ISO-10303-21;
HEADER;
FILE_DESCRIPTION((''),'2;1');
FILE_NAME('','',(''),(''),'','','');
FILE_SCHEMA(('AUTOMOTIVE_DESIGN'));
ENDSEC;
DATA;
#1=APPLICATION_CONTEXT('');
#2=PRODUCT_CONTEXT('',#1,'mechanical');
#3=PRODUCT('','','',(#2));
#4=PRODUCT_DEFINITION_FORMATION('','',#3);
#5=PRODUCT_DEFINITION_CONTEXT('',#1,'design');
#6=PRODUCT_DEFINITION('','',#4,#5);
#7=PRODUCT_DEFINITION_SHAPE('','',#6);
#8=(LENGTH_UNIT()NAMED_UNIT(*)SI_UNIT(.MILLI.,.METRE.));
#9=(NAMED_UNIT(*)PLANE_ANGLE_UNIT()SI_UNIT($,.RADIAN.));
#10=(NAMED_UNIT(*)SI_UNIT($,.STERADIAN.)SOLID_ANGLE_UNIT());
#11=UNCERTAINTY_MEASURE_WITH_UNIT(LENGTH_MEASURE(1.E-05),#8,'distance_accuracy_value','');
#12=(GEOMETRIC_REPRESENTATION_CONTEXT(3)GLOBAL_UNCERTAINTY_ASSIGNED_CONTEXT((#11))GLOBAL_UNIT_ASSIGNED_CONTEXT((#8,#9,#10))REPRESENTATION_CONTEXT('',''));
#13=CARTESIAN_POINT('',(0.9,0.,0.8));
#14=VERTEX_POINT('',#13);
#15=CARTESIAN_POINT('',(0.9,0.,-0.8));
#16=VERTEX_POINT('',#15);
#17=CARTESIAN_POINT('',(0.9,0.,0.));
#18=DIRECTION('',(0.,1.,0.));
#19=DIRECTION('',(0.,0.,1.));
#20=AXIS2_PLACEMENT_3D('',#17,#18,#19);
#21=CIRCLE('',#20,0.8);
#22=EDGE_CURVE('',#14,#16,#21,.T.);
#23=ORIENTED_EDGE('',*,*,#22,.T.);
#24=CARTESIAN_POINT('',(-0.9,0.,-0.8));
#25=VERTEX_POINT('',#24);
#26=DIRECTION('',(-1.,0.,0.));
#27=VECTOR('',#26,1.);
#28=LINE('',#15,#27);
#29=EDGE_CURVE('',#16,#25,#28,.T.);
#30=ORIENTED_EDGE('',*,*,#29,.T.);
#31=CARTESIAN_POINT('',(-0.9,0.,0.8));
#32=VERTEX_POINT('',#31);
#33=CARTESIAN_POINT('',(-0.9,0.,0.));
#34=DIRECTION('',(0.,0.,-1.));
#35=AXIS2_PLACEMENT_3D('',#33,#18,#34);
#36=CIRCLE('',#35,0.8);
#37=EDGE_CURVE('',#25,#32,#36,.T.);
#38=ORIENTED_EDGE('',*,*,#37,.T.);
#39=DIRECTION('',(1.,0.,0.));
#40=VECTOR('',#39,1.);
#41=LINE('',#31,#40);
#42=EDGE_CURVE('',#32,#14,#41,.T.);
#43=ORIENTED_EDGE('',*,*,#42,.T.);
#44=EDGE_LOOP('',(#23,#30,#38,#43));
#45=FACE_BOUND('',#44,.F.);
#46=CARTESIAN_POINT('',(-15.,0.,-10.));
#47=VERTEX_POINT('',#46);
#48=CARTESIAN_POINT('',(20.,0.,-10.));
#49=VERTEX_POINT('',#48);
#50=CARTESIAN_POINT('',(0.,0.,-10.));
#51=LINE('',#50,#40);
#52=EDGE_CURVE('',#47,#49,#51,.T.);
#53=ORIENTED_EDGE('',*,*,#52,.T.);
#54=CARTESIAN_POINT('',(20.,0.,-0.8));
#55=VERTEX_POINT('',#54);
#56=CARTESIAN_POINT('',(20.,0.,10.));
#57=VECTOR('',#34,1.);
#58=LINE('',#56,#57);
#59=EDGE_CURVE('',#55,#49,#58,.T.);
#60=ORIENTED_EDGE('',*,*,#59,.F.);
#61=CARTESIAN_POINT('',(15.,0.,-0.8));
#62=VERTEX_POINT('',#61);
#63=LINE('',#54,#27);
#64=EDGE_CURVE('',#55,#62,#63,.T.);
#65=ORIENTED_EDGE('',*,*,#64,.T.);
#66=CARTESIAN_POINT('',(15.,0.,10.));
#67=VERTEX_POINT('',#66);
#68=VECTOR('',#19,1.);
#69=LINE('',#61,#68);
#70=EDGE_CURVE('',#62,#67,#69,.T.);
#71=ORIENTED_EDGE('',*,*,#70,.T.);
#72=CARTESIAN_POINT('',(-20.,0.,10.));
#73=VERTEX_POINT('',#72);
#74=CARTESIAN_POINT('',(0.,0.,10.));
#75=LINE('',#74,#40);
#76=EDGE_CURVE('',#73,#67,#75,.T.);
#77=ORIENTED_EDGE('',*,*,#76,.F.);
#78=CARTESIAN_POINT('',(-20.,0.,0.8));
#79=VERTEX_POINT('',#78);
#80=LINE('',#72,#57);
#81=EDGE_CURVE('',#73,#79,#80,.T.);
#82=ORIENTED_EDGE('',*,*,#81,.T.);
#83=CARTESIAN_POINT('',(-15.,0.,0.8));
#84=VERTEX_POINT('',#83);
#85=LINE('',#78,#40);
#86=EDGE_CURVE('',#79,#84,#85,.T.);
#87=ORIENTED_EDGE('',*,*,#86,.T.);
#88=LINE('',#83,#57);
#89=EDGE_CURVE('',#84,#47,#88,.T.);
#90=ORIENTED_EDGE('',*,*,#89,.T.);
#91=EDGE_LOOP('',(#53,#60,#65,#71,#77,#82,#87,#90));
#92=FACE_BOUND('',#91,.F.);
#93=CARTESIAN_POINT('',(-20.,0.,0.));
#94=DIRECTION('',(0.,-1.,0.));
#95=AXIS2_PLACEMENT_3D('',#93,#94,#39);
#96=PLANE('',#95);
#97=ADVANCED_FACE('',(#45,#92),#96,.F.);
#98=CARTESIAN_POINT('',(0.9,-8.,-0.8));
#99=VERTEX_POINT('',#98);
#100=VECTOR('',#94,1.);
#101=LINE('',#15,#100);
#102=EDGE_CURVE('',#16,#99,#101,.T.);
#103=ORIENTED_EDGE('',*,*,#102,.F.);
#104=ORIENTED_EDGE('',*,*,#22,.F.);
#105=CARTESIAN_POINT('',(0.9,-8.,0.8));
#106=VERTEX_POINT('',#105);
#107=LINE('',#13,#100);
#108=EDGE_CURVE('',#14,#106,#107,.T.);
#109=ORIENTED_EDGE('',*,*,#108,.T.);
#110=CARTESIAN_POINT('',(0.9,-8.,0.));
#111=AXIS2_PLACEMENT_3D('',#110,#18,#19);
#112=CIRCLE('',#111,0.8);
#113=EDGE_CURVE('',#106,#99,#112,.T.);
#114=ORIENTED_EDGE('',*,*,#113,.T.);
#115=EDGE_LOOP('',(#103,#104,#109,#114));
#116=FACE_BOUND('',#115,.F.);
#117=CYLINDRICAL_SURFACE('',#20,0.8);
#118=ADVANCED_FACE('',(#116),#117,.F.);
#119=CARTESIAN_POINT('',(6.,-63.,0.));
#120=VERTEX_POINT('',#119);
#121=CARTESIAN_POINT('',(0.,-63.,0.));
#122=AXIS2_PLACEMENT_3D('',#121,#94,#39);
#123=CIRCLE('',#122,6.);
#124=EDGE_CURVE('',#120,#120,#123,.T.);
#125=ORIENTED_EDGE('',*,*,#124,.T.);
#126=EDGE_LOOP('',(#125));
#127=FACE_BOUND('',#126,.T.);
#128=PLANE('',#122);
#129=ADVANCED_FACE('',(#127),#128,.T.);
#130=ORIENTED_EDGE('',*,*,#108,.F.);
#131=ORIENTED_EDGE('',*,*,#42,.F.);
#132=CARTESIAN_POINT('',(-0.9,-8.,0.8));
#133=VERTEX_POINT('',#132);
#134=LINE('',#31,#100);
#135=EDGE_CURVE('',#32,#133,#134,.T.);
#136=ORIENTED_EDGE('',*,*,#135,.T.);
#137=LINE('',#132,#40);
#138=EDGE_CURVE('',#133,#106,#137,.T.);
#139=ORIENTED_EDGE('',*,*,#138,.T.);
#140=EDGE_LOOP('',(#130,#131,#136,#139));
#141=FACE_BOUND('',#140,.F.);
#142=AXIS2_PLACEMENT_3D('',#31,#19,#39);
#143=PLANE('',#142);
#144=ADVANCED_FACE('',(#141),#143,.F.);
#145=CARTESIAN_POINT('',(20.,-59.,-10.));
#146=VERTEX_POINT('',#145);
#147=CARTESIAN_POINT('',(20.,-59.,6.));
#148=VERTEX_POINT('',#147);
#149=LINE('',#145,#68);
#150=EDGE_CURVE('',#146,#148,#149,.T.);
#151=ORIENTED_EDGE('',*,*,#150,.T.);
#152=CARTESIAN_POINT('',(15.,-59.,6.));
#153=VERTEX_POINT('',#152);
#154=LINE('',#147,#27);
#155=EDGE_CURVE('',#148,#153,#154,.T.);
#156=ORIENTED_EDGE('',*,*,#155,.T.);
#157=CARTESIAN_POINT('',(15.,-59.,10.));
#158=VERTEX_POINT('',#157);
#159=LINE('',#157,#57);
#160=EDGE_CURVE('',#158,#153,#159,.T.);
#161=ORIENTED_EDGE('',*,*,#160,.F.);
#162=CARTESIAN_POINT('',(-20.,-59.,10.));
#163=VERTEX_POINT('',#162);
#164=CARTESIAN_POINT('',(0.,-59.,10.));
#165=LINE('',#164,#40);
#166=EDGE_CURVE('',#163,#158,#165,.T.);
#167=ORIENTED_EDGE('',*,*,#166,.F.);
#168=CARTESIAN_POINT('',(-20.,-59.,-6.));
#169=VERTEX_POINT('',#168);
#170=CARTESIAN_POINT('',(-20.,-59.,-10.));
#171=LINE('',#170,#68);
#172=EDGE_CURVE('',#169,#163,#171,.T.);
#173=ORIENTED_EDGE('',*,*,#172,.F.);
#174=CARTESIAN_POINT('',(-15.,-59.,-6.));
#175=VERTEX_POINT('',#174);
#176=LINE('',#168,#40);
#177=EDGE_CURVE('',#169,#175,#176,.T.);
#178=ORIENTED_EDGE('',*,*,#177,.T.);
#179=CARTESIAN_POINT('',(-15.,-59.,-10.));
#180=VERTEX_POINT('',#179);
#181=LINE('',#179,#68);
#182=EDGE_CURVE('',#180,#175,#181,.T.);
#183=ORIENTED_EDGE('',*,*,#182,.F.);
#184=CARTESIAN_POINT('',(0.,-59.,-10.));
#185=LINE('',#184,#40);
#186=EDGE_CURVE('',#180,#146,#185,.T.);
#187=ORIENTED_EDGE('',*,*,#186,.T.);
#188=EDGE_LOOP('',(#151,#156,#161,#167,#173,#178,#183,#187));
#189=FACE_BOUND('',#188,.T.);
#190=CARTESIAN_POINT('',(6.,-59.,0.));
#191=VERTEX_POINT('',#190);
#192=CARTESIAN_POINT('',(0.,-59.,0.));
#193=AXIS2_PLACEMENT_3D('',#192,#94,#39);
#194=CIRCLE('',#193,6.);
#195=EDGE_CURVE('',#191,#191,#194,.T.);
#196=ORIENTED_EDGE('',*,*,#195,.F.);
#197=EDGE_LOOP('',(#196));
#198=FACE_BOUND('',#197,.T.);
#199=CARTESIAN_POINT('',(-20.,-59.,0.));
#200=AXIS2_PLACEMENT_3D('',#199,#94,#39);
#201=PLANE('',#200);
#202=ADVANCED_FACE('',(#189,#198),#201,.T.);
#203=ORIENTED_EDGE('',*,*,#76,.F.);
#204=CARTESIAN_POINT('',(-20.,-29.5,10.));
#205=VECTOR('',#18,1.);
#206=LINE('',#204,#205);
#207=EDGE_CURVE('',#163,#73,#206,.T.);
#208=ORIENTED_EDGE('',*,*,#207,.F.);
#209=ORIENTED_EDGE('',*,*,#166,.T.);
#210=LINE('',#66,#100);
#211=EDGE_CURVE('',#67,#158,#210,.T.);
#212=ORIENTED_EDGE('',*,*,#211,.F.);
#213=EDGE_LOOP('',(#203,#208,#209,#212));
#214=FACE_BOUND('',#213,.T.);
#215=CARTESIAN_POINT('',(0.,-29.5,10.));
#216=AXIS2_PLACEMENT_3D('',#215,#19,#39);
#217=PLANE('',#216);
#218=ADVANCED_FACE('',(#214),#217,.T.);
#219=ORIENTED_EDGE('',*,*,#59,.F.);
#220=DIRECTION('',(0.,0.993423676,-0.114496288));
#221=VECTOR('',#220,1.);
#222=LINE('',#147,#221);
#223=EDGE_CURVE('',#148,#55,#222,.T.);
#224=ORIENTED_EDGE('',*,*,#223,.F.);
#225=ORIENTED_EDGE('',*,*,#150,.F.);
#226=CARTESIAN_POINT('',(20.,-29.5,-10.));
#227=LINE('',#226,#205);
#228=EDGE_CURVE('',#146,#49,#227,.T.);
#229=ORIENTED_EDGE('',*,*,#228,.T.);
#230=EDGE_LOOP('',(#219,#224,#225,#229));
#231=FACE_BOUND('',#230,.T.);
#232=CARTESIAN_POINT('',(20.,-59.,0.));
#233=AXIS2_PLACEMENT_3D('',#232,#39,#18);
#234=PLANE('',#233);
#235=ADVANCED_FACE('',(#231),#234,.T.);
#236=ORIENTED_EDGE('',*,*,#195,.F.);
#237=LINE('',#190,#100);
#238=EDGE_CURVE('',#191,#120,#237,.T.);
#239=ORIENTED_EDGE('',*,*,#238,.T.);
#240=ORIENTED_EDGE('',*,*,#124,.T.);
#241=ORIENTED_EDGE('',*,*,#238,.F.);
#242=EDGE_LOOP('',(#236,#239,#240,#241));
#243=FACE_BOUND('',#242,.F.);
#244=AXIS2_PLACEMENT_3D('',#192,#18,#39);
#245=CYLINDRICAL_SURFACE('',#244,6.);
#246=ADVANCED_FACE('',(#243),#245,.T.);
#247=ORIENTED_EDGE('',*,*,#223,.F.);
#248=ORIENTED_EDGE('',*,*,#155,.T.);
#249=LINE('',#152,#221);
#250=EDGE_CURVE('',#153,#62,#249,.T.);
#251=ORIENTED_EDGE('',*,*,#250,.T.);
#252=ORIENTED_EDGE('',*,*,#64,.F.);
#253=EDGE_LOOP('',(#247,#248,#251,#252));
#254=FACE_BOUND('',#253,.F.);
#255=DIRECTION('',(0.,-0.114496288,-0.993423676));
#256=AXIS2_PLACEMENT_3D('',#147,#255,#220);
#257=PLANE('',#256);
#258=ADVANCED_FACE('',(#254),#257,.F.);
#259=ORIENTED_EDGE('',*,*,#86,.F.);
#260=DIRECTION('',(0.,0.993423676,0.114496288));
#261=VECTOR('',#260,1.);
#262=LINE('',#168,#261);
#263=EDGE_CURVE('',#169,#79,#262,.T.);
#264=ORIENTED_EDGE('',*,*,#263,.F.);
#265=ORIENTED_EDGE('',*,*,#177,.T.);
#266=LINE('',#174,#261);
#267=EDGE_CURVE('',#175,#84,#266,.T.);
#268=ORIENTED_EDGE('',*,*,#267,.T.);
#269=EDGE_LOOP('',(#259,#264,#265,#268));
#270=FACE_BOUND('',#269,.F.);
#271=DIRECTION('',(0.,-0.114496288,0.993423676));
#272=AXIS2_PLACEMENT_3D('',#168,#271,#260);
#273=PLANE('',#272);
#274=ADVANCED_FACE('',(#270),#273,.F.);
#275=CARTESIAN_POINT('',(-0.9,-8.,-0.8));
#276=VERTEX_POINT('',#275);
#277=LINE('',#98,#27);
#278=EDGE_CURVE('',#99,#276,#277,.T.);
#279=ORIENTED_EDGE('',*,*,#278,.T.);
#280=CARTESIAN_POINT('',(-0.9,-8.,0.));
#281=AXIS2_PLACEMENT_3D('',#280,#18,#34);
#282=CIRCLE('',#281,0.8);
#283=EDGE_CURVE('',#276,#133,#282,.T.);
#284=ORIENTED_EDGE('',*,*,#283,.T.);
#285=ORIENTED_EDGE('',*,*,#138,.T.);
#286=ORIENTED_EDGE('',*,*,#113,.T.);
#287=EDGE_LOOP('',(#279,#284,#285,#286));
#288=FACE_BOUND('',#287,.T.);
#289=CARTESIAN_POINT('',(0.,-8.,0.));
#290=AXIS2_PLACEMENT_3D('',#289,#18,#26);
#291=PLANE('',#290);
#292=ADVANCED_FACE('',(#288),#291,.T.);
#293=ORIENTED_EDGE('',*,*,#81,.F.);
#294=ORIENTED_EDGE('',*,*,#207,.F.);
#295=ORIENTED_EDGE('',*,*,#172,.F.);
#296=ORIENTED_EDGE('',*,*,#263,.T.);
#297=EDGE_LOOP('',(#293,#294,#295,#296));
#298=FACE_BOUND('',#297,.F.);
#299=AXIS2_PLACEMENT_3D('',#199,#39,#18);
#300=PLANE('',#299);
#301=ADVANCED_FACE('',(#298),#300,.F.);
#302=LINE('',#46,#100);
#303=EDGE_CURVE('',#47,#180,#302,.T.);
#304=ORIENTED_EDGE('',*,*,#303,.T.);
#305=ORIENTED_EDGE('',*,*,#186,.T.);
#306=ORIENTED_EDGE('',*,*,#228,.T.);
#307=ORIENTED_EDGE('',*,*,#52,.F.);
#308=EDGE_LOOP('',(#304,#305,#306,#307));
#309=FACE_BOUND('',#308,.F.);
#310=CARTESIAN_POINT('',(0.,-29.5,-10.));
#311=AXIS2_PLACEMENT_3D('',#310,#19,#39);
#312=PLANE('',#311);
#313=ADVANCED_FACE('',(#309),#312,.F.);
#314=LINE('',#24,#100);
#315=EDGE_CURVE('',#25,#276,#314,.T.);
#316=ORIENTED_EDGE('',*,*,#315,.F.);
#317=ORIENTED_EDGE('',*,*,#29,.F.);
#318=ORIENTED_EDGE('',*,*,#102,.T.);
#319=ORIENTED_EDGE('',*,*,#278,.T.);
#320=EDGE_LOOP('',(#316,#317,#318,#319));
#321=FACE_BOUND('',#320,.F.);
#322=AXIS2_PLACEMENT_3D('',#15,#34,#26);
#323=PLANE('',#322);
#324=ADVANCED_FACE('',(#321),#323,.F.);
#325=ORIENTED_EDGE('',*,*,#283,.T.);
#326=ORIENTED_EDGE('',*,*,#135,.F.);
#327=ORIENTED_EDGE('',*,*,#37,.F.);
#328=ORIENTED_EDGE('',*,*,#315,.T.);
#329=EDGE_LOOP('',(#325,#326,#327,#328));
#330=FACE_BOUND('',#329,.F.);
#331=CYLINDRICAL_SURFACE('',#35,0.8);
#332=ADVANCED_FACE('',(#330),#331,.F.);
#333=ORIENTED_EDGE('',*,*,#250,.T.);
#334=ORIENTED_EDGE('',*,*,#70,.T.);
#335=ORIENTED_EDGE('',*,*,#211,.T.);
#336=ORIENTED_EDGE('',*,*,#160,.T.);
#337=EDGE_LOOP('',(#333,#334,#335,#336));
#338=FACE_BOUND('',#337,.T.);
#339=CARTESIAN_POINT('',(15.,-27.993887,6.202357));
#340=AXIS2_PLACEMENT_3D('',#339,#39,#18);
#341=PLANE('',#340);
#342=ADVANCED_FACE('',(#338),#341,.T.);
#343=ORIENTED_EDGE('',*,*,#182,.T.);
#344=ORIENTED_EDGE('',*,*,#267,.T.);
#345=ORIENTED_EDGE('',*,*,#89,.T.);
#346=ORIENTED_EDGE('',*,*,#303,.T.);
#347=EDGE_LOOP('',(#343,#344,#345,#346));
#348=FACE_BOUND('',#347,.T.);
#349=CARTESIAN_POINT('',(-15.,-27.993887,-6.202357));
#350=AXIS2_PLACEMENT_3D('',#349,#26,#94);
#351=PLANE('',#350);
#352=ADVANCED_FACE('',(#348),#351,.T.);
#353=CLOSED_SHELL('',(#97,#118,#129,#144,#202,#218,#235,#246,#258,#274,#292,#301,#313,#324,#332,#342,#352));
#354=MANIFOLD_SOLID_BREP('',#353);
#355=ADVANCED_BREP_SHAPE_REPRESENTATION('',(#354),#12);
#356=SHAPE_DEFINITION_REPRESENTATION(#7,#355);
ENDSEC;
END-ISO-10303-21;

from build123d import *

# Parameters (mm, degrees)
F0_W     = 40
F0_H     = 59
F1_DEPTH = 10
F3_DEPTH = 8
F4_R     = 6
F5_DEPTH = 4
F7_DEPTH = 5
F9_DEPTH = 5


with BuildPart() as f1:
    # F0 (on Top) → F1 (new body, symmetric)
    with BuildSketch(Plane.XY):
        with Locations((0, -29.5)):
            Rectangle(F0_W, F0_H)
    extrude(amount=F1_DEPTH, both=True)

    # F2 (on face) → F3 (cut)
    with BuildSketch(Plane(origin=(0, 0, 0), x_dir=(-1, 0, 0), z_dir=(0, 1, 0))):
        with BuildLine():
            Line((-0.9, -0.8), (0.9, -0.8))
            ThreePointArc((0.9, -0.8), (1.7, 0), (0.9, 0.8))
            Line((0.9, 0.8), (-0.9, 0.8))
            ThreePointArc((-0.9, 0.8), (-1.7, 0), (-0.9, -0.8))
        make_face()
    extrude(amount=-F3_DEPTH, mode=Mode.SUBTRACT)

    # F4 (on face) → F5 (join)
    with BuildSketch(Plane.XZ.offset(59)):
        Circle(F4_R)
    extrude(amount=F5_DEPTH)

    # F6 (on face) → F7 (cut)
    with BuildSketch(Plane(origin=(-20, 0, 0), x_dir=(0, -1, 0), z_dir=(-1, 0, 0))):
        Polygon((59, -6), (0, 0.8), (0, -10), (59, -10), align=None)
    extrude(amount=-F7_DEPTH, mode=Mode.SUBTRACT)

    # F8 (on face) → F9 (cut)
    with BuildSketch(Plane.YZ.offset(20)):
        Polygon((-59, 6), (0, -0.8), (0, 10), (-59, 10), align=None)
    extrude(amount=-F9_DEPTH, mode=Mode.SUBTRACT)


solid = f1.part
